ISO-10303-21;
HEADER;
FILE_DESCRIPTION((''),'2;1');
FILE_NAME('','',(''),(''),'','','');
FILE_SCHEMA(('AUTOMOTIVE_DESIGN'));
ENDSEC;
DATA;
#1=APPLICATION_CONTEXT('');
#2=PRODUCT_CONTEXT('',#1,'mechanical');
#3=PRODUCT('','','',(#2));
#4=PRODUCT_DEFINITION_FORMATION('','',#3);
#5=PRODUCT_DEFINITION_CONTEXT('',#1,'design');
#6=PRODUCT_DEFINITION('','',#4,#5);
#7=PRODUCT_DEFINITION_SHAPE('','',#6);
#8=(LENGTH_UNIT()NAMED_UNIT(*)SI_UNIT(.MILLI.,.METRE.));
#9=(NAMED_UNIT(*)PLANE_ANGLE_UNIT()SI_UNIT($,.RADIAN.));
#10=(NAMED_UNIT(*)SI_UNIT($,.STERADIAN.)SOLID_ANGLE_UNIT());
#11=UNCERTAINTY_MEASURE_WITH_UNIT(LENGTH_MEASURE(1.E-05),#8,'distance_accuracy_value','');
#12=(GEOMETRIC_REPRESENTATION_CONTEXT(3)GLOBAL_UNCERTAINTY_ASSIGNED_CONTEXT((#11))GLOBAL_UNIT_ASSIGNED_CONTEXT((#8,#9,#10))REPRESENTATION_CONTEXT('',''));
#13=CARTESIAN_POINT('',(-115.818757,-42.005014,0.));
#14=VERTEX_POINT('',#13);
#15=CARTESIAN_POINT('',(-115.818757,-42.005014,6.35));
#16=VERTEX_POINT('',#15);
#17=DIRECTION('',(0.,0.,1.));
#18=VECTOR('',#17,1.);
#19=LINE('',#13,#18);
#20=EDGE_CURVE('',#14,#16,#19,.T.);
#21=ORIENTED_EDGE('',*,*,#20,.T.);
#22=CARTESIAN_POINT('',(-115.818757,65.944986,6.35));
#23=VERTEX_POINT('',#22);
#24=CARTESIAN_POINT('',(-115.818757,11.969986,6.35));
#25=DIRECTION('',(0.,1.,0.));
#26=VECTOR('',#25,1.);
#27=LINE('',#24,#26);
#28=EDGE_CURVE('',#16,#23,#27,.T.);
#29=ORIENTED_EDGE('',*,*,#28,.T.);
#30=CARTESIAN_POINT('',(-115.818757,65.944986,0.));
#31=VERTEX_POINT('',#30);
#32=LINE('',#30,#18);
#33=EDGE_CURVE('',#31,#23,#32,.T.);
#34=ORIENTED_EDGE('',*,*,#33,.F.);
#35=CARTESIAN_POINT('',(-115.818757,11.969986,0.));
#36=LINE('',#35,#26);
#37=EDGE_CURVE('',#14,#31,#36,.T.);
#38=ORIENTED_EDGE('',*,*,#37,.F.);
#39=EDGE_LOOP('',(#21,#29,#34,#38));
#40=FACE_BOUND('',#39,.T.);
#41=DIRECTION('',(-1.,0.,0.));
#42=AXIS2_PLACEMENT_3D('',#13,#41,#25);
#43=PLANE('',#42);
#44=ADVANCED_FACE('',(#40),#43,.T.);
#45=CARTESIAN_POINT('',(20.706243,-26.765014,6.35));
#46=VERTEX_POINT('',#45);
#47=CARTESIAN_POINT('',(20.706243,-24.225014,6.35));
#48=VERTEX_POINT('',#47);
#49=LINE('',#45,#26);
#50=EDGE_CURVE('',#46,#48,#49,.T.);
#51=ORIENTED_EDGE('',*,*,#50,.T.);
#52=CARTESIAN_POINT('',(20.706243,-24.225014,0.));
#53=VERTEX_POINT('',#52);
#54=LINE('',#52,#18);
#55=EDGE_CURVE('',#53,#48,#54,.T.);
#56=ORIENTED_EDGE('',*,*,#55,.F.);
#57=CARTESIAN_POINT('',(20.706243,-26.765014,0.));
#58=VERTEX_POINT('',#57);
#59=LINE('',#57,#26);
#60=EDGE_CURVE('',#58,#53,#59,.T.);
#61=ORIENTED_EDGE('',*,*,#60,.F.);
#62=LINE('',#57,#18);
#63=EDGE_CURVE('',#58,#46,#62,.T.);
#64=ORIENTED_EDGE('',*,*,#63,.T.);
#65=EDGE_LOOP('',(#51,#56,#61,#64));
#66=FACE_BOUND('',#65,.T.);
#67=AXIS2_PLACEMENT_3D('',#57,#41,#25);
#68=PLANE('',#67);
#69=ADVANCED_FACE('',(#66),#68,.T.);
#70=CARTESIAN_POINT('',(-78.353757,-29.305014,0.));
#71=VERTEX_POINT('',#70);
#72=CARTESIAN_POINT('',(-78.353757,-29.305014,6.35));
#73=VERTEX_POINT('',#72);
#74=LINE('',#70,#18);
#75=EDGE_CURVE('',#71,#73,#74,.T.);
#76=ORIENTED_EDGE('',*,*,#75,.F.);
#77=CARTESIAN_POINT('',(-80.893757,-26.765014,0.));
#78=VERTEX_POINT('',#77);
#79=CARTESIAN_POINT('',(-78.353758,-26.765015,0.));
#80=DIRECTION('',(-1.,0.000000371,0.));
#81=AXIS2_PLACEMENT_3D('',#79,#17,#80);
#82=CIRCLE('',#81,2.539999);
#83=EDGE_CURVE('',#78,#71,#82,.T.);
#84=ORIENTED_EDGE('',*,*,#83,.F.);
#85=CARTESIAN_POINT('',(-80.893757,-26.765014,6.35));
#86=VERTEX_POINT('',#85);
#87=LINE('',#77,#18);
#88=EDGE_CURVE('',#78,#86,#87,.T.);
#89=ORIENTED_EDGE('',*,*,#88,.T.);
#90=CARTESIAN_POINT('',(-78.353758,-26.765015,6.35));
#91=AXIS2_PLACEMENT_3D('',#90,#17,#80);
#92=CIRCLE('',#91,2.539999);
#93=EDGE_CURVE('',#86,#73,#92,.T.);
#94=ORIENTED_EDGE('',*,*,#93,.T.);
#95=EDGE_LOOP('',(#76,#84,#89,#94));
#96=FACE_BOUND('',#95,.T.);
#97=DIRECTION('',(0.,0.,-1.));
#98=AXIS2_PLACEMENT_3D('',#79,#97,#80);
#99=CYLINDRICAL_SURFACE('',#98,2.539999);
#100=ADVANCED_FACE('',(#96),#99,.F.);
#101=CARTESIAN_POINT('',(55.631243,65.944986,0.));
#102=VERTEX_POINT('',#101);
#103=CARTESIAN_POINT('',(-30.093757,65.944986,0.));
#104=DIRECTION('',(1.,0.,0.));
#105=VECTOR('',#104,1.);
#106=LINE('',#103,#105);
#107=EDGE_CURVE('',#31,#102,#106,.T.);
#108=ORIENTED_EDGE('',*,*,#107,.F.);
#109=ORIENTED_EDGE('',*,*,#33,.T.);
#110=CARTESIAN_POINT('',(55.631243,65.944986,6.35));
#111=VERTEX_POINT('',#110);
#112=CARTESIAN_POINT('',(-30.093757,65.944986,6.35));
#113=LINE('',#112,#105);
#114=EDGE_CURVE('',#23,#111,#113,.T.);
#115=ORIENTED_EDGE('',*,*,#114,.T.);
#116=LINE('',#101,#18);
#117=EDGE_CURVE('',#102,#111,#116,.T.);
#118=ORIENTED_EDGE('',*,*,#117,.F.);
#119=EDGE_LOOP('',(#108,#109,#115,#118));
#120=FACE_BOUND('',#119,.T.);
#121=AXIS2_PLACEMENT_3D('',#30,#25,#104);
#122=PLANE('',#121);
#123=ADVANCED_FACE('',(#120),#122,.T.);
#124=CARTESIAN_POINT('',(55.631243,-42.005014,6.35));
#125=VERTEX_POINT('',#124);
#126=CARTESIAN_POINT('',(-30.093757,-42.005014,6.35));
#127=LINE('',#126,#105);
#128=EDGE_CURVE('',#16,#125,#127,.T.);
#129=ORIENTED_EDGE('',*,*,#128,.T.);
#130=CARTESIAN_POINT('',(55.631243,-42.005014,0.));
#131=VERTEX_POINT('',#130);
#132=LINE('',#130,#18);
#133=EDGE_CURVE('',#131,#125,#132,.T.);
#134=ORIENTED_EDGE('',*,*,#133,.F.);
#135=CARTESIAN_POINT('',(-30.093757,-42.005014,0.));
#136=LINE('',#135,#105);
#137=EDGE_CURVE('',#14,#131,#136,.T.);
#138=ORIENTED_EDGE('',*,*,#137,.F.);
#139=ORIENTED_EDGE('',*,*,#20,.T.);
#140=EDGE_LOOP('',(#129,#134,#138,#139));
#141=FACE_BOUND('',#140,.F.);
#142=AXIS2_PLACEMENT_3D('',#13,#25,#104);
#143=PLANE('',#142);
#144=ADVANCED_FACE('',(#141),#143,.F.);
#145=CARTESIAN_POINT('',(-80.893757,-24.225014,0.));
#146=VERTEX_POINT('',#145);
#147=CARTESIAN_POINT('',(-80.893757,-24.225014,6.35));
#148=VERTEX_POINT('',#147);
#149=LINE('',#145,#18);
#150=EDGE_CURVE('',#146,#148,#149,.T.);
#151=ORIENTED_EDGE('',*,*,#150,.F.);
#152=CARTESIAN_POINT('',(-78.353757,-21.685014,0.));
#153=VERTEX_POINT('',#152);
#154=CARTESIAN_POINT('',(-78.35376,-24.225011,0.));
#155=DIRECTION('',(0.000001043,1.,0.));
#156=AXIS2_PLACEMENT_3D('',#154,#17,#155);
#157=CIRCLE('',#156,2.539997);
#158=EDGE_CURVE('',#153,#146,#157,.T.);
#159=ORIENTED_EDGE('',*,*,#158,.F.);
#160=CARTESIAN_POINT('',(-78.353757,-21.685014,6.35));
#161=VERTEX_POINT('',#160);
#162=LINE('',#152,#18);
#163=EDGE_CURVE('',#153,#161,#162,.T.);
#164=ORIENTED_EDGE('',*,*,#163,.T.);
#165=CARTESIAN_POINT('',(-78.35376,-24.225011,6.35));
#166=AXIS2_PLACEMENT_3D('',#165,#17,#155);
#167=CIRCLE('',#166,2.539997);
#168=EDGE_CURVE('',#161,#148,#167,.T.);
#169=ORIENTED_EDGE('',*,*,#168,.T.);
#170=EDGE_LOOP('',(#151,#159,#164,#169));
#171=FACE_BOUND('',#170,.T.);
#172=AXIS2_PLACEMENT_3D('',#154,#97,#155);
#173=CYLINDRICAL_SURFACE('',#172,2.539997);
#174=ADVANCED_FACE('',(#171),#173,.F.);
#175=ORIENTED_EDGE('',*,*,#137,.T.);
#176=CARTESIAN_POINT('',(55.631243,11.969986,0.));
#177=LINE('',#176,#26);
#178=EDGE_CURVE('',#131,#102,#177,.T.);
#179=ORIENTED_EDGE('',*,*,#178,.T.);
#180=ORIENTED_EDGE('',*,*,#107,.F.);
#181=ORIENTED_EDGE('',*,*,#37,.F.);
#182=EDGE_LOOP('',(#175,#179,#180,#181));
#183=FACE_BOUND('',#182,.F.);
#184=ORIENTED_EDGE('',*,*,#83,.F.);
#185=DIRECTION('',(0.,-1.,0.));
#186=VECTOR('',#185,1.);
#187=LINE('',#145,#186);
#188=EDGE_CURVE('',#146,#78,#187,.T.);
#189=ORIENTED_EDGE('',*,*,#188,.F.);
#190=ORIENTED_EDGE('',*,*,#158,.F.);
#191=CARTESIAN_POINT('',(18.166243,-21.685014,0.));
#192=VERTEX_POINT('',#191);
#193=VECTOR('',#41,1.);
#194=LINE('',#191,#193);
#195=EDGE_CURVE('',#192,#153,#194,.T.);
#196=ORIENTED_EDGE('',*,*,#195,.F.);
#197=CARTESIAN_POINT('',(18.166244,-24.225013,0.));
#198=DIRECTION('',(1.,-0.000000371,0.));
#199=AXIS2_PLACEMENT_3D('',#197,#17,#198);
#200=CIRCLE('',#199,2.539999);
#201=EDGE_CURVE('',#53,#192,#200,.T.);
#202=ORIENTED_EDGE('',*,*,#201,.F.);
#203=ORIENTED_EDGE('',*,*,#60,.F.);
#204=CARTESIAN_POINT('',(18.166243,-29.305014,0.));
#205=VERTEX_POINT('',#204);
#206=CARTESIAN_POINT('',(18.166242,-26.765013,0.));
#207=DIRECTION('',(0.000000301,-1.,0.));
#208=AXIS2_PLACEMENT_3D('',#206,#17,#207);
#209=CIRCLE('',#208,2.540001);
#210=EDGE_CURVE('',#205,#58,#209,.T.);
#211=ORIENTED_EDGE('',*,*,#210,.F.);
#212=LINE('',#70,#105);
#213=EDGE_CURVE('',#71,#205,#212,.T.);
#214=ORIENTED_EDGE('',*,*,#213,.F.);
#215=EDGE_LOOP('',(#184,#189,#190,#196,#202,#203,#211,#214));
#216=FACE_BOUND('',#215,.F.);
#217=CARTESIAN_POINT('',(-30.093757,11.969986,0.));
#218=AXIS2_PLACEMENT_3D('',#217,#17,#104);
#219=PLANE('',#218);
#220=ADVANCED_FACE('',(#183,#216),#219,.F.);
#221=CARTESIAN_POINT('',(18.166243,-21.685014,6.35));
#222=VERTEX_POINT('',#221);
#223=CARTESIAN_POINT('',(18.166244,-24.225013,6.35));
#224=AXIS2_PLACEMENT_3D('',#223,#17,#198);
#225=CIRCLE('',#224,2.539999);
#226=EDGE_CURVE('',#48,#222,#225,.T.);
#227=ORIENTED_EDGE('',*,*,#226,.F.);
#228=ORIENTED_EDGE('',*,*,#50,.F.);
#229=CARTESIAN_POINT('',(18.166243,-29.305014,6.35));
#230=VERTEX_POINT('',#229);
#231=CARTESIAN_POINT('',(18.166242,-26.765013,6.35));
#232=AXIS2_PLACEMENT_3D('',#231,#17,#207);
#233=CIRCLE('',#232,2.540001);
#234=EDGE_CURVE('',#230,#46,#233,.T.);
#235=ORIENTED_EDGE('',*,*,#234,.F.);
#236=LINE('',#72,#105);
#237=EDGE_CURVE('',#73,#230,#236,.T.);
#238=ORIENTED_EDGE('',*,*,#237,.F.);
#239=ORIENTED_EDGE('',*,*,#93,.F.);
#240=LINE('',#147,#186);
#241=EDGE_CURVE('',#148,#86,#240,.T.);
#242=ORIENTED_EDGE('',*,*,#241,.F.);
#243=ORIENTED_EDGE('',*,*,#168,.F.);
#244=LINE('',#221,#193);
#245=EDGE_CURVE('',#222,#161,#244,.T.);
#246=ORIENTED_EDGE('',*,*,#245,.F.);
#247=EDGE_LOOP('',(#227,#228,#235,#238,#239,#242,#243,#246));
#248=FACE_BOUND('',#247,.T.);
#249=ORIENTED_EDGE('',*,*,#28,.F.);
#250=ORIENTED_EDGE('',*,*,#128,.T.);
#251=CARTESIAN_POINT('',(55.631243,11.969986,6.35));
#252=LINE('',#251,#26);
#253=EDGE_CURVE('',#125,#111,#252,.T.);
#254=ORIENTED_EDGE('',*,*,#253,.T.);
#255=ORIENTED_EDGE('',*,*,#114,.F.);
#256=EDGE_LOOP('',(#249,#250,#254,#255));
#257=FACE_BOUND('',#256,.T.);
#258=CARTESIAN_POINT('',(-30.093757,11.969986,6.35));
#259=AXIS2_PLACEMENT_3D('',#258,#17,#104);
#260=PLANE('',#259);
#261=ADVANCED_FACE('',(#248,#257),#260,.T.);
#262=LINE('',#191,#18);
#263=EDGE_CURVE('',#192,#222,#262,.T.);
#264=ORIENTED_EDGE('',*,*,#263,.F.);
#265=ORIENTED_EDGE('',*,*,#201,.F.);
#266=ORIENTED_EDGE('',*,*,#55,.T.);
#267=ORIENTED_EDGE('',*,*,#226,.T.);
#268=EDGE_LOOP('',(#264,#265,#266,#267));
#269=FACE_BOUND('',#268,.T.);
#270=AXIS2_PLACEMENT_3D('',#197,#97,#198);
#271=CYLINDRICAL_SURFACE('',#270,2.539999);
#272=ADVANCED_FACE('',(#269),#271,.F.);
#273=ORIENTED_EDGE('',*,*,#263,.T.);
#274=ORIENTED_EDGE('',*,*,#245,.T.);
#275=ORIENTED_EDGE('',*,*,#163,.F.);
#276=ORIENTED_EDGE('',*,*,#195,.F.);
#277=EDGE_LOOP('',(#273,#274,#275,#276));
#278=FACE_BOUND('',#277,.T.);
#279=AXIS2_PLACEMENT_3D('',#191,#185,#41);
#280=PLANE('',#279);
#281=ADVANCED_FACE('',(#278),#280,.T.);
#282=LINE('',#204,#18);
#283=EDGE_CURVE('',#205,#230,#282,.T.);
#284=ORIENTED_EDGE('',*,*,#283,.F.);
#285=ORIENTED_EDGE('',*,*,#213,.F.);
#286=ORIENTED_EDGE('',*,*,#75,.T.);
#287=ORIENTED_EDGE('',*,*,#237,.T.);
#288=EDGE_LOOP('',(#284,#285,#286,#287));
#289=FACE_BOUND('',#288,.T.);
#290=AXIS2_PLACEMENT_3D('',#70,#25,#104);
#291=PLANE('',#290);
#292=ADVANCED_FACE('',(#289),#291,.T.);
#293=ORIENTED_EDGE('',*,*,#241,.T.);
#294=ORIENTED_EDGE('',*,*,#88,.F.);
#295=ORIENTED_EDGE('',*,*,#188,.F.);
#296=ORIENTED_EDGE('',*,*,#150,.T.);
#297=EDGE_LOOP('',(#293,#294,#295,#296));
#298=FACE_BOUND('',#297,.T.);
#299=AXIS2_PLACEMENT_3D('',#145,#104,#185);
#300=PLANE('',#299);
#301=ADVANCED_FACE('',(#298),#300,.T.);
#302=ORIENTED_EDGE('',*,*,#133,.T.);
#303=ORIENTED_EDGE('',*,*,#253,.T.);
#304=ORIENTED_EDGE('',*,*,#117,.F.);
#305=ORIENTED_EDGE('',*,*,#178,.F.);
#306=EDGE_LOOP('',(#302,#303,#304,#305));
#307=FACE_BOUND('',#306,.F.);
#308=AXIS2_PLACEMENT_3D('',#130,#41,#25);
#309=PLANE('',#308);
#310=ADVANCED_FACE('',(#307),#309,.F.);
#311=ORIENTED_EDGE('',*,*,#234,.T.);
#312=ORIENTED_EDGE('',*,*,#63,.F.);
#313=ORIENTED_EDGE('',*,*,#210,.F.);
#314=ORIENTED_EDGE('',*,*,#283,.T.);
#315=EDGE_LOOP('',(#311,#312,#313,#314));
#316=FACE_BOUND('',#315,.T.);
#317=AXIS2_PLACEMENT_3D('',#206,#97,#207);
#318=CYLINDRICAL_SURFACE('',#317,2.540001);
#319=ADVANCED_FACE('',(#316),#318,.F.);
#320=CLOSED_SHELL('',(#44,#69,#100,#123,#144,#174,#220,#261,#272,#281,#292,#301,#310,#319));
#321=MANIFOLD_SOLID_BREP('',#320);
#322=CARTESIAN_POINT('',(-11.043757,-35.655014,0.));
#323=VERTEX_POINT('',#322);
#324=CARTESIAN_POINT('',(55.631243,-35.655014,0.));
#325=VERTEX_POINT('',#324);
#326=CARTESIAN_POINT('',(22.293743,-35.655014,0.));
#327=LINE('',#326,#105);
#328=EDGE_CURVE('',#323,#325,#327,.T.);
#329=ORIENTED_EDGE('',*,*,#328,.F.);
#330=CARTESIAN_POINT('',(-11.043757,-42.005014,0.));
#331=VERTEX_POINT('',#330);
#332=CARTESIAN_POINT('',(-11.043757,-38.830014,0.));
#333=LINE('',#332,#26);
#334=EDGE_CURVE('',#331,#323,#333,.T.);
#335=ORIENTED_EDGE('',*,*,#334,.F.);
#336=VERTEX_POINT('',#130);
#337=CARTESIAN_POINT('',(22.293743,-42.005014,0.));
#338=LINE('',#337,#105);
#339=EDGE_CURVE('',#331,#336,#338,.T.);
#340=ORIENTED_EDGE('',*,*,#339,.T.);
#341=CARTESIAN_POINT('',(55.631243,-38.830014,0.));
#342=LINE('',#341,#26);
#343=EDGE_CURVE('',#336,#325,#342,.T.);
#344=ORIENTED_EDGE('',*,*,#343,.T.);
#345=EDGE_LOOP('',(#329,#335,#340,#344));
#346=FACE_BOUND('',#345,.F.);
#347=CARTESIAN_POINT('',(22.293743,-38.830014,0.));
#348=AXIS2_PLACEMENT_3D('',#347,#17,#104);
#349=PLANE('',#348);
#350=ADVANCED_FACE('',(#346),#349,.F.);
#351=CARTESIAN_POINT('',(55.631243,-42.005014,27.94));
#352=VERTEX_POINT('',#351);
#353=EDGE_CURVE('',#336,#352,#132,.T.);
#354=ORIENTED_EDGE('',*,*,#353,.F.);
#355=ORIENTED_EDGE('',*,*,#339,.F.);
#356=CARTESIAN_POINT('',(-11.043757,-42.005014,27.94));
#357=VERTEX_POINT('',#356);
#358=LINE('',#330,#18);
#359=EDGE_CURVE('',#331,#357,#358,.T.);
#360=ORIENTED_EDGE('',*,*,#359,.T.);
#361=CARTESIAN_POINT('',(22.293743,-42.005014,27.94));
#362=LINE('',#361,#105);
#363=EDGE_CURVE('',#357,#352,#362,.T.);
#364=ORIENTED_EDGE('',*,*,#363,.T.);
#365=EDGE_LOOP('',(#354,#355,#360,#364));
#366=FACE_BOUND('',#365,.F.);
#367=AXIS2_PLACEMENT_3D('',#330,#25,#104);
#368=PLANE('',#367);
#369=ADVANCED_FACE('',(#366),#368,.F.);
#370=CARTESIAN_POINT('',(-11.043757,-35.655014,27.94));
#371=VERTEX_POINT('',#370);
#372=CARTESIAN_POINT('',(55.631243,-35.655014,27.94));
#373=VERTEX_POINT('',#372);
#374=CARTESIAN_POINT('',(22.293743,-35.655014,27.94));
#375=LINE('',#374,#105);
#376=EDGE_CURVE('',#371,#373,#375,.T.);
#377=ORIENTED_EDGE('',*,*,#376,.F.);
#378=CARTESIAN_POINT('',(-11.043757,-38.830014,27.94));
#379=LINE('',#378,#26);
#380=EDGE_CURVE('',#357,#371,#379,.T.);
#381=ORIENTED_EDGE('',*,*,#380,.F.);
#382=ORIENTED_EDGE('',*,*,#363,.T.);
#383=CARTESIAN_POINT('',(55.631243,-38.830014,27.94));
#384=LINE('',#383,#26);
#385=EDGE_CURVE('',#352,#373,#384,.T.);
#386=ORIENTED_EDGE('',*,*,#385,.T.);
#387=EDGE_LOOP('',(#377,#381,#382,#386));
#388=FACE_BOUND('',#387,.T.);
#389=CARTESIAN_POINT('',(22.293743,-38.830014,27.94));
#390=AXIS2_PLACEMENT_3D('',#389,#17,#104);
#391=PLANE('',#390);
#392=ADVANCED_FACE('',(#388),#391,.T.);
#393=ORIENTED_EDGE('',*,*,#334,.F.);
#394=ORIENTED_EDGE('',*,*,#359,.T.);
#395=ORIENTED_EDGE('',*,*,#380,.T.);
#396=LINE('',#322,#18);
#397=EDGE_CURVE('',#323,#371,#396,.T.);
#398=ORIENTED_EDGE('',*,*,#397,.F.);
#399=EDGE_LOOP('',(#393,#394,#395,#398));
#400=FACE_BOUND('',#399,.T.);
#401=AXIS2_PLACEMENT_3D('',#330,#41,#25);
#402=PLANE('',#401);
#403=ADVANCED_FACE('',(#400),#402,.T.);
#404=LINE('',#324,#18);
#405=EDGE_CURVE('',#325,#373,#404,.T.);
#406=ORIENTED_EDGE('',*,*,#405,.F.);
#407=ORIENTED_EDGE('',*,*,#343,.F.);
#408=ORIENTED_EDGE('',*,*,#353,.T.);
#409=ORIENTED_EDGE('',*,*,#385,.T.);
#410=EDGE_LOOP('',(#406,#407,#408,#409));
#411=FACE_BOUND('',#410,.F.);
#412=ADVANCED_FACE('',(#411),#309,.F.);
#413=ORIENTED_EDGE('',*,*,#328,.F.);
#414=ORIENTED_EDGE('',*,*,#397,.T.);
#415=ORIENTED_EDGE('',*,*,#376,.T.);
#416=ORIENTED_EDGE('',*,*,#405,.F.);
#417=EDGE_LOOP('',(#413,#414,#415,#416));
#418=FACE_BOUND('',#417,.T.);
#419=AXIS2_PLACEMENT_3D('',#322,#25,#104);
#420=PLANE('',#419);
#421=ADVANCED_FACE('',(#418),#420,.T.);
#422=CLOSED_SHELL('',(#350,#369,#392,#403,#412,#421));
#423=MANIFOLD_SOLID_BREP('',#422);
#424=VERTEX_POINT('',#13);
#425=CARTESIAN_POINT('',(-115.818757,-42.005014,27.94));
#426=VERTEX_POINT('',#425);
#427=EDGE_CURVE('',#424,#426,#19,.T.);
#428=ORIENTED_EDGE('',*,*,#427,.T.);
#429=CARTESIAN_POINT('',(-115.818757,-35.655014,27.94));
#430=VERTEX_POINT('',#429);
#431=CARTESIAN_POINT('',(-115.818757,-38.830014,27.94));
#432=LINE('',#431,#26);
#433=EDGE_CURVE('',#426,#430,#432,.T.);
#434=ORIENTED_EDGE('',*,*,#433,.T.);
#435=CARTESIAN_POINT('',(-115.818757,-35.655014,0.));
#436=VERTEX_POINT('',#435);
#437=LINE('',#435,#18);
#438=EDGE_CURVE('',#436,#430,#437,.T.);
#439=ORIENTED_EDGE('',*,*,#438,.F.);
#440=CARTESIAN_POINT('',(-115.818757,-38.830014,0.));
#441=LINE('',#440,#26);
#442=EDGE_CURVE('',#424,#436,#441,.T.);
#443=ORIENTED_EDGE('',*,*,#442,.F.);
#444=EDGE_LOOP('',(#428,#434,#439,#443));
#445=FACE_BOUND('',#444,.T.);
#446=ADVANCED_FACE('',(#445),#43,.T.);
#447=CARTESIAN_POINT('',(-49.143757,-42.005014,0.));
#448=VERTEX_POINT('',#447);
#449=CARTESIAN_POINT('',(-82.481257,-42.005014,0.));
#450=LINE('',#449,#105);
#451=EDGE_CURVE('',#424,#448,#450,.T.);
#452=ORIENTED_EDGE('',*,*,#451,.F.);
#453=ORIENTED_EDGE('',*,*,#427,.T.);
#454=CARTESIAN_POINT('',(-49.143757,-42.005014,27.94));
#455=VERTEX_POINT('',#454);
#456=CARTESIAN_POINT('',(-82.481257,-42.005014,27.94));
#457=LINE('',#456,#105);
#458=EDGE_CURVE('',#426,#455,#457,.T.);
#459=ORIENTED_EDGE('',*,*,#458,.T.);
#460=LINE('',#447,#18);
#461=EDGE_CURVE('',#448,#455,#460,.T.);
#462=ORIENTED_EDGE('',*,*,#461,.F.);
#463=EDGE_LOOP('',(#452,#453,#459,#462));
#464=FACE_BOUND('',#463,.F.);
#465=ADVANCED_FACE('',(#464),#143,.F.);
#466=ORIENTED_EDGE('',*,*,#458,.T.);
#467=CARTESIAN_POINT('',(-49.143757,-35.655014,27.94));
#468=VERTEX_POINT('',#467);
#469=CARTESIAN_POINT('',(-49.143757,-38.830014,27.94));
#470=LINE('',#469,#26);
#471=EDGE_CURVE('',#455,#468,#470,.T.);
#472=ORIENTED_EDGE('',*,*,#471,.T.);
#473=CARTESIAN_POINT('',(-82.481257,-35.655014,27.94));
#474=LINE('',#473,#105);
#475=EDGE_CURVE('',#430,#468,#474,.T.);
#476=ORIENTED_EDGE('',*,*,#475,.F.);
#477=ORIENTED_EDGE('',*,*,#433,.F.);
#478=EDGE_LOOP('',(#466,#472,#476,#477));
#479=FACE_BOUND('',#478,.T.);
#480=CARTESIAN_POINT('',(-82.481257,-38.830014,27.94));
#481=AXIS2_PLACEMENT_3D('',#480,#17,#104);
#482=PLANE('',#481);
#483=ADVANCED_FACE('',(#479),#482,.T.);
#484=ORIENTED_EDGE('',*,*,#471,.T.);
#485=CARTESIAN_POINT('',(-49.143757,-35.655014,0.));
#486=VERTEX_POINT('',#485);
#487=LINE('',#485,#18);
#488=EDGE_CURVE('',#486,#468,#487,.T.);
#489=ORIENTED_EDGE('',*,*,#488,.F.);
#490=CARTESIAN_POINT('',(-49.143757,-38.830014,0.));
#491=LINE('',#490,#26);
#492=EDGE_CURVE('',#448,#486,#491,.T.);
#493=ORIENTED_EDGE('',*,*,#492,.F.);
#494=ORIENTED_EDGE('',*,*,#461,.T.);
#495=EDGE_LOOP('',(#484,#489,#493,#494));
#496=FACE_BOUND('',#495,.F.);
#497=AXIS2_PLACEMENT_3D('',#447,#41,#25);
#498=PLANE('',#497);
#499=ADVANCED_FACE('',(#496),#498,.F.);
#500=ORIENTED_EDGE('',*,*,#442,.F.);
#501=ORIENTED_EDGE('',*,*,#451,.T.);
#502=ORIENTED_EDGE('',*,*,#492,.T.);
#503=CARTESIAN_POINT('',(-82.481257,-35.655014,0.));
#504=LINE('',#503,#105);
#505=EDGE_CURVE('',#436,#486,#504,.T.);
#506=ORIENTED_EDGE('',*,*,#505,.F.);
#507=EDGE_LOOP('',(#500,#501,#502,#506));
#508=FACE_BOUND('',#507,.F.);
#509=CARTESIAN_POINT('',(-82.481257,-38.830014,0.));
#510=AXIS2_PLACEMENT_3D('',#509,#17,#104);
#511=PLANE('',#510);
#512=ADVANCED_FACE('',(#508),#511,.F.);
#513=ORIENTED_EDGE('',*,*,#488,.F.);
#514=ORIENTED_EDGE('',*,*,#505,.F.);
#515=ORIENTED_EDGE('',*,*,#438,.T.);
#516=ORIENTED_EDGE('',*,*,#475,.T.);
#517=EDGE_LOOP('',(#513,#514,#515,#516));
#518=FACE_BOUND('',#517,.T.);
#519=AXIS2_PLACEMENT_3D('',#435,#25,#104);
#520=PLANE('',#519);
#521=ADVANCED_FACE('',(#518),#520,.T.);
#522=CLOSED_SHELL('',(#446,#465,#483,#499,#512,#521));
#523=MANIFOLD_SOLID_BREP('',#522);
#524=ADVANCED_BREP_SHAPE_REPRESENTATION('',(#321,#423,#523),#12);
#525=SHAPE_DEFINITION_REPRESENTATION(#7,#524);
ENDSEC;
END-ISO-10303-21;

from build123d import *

# Parameters (mm, degrees)
F2_W     = 66.675
F2_H     = 6.35
F3_DEPTH = 27.94
F0_W     = 171.45
F0_H     = 107.95
F4_DEPTH = 6.35
F5_DEPTH = 6.35


with BuildPart() as f3:
    # F2 (on face) → F3 (new body)
    with BuildSketch(Plane.XY):
        with Locations((-82.481257, -38.830014)):
            Rectangle(F2_W, F2_H)
        with Locations((22.293743, -38.830014)):
            Rectangle(F2_W, F2_H)
    extrude(amount=F3_DEPTH)


with BuildPart() as f4:
    # F0 (on Top) → F4 (new body)
    with BuildSketch(Plane.XY):
        with Locations((-30.093757, 11.969986)):
            Rectangle(F0_W, F0_H)
    extrude(amount=F4_DEPTH)

    # F1 (on Top) → F5 (cut)
    with BuildSketch(Plane.XY):
        with BuildLine():
            ThreePointArc((-80.893757, -26.765014), (-80.149809, -28.561065), (-78.353757, -29.305014))
            Line((-78.353757, -29.305014), (18.166243, -29.305014))
            ThreePointArc((18.166243, -29.305014), (19.962294, -28.561065), (20.706243, -26.765014))
            Line((20.706243, -26.765014), (20.706243, -24.225014))
            ThreePointArc((20.706243, -24.225014), (19.962294, -22.428962), (18.166243, -21.685014))
            Line((18.166243, -21.685014), (-78.353757, -21.685014))
            ThreePointArc((-78.353757, -21.685014), (-80.149809, -22.428962), (-80.893757, -24.225014))
            Line((-80.893757, -24.225014), (-80.893757, -26.765014))
        make_face()
    extrude(amount=F5_DEPTH, mode=Mode.SUBTRACT)


solid = Compound([f3.part, f4.part])
